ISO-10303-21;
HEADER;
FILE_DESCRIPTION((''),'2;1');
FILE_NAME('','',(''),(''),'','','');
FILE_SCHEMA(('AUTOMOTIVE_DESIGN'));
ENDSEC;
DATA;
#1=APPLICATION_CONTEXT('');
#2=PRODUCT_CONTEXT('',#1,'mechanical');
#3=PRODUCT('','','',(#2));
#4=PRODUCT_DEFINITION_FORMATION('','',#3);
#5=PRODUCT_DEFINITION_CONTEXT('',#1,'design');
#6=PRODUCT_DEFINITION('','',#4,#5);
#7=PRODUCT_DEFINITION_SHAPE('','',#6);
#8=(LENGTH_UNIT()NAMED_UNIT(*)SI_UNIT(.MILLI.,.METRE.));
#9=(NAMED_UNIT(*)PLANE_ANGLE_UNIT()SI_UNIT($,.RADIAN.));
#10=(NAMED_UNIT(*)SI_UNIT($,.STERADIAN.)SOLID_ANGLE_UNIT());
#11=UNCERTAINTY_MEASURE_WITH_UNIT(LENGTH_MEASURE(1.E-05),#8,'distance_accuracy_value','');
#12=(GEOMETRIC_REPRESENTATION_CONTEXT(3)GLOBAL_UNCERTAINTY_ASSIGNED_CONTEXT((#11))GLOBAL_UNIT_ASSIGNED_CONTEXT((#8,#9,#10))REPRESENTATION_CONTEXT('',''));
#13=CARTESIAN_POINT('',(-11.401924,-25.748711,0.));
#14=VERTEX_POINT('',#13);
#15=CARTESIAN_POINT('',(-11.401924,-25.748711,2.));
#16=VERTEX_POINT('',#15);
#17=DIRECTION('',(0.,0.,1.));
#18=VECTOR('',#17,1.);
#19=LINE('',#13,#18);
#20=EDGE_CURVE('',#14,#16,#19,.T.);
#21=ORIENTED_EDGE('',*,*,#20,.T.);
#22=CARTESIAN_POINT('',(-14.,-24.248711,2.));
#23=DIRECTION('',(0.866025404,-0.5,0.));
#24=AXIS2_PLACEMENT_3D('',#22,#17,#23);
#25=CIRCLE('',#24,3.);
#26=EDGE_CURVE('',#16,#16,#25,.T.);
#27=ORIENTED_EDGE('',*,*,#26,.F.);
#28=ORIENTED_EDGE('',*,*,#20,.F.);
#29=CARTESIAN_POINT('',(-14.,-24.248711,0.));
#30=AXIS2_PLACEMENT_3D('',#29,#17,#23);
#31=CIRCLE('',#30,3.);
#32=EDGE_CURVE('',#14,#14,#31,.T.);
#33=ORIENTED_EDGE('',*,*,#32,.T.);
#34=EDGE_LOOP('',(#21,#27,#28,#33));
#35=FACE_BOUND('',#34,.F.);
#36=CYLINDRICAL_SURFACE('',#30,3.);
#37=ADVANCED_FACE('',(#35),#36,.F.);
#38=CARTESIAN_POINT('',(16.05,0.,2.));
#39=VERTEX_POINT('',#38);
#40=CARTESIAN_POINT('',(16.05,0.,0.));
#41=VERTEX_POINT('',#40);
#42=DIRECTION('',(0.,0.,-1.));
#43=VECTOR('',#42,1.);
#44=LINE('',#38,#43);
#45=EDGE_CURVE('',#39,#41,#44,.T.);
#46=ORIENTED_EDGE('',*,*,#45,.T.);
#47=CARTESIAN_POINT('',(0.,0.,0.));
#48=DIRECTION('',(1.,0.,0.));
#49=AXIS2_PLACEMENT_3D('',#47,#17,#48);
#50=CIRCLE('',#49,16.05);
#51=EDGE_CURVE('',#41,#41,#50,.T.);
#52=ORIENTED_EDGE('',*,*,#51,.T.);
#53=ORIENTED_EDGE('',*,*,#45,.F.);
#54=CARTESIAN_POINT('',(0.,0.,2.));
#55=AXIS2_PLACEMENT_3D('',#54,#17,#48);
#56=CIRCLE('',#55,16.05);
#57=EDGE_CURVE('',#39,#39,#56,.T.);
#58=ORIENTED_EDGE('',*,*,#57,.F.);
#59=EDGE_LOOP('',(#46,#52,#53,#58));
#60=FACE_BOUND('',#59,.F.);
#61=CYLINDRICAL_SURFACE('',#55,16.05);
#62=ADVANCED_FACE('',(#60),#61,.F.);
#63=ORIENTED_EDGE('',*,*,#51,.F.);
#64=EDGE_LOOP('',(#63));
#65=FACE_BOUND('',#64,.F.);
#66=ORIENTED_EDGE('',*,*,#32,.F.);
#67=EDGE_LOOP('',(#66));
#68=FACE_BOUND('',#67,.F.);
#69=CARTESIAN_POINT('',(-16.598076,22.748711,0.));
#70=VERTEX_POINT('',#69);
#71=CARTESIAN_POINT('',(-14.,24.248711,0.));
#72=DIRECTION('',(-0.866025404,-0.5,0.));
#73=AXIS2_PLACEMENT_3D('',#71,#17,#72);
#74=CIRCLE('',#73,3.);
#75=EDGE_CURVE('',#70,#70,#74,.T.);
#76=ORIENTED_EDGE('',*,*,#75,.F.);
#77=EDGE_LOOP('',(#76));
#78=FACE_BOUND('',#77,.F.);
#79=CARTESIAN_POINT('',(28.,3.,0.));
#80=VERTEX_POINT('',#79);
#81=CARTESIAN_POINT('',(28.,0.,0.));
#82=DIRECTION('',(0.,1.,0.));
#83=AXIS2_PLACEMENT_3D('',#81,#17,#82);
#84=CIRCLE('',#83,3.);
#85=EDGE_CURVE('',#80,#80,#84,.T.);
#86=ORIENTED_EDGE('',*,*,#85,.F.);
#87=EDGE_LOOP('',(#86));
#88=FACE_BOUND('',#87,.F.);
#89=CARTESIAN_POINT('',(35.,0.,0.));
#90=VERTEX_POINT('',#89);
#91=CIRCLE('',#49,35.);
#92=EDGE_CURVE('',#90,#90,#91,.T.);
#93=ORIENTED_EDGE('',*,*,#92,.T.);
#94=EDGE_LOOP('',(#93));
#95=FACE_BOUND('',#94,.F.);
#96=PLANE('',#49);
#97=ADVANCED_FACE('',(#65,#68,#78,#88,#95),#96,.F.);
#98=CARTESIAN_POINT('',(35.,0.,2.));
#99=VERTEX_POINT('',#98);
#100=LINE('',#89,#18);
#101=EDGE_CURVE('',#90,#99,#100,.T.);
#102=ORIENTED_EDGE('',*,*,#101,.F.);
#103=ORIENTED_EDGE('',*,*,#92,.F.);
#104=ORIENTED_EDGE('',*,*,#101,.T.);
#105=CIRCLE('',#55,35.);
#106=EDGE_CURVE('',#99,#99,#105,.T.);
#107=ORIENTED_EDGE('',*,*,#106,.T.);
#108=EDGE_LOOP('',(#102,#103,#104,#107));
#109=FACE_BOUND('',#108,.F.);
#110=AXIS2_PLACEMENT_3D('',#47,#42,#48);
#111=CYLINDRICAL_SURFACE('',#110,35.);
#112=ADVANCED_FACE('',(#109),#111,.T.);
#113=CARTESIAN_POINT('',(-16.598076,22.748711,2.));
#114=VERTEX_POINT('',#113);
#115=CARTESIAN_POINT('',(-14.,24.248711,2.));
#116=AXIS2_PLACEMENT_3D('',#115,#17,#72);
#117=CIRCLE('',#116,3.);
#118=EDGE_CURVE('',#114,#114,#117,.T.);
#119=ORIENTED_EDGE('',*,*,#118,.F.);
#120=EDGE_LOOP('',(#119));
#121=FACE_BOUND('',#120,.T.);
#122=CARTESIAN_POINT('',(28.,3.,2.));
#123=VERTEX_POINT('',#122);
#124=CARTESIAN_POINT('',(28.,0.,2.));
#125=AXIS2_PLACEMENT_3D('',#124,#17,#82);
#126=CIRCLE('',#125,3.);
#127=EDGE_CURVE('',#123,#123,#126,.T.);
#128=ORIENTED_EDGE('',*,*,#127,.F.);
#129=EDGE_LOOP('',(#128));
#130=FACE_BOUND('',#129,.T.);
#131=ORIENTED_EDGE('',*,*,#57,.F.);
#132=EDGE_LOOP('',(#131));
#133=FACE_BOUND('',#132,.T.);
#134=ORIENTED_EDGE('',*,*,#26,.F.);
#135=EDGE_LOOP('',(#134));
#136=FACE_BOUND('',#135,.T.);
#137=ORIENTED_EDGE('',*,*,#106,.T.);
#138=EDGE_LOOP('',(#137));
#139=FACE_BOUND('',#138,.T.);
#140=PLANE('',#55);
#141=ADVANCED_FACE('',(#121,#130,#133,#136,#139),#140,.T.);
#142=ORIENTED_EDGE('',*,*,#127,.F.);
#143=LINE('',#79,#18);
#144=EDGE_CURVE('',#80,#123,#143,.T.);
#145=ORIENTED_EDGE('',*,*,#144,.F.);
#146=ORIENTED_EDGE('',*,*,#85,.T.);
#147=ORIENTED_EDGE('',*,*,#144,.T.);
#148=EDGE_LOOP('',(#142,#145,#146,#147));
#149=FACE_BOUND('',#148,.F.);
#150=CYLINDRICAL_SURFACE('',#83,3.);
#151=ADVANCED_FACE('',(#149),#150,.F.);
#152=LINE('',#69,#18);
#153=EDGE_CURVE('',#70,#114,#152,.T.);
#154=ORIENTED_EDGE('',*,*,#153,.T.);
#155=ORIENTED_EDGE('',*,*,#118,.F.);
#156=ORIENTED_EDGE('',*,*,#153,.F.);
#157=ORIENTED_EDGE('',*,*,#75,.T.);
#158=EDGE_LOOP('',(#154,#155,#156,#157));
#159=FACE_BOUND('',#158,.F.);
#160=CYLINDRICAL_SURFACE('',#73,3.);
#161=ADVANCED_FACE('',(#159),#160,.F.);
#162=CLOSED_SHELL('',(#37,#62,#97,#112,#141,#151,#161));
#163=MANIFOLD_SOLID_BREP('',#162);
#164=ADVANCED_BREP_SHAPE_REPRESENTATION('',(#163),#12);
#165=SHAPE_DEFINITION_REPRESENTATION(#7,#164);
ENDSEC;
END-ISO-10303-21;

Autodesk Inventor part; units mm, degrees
ref_plane "YZ Plane" through (0, 0, 0) normal (1, 0, 0) x (0, 1, 0)
ref_plane "XZ Plane" through (0, 0, 0) normal (0, 1, 0) x (-1, 0, 0)
ref_plane "XY Plane" through (0, 0, 0) normal (0, 0, 1) x (1, 0, 0)
sketch "Sketch1" plane through (0, 0, 0) normal (0, 0, 1) x (1, 0, 0)
  circle A0 centre (0, 0) radius 35
  dimension "d0" = 70
extrude "Plate1" add sketch "Sketch1" along normal blind 2
sketch "Sketch2" plane through (0, 0, 0) normal (0, 0, 1) x (1, 0, 0)
  point P0 (0, 0)
  point P1 (28, 0)
  dimension "d2" = 28
hole "Hole1" at (28, 0, 0) direction (0, 0, 1) diameter 6 end through all
pattern_circular "Circular Pattern1" count 3 over 360 about axis through (0, 0, -10) along (0, 0, 1) of "Hole1"
sketch "Sketch3" plane through (0, 0, 2) normal (0, 0, 1) x (1, 0, 0)
  circle A0 centre (0, 0) radius 16.05
  dimension "d13" = 32.1
extrude "Extrusion1" cut sketch "Sketch3" against normal through all
equation "\"d0\" = Внешний_диам_фланца"
equation "\"d8\" = Thickness"
equation "\"d1\" = Thickness"
equation "\"BendRadius\" = Thickness"
equation "\"BendReliefWidth\" = Thickness"
equation "\"BendReliefDepth\" = 0.5 * Thickness"
equation "\"CornerReliefSize\" = 4 * Thickness"
equation "\"MinimumRemnant\" = 2 * Thickness"
equation "\"TransitionRadius\" = BendRadius"
equation "\"JacobiRadiusSize\" = BendRadius"
equation "\"GapSize\" = Thickness"
equation "\"Внешний_диам_фланца\" = 70"
equation "\"Thickness\" = 2"
properties part number "платик крепежный"
